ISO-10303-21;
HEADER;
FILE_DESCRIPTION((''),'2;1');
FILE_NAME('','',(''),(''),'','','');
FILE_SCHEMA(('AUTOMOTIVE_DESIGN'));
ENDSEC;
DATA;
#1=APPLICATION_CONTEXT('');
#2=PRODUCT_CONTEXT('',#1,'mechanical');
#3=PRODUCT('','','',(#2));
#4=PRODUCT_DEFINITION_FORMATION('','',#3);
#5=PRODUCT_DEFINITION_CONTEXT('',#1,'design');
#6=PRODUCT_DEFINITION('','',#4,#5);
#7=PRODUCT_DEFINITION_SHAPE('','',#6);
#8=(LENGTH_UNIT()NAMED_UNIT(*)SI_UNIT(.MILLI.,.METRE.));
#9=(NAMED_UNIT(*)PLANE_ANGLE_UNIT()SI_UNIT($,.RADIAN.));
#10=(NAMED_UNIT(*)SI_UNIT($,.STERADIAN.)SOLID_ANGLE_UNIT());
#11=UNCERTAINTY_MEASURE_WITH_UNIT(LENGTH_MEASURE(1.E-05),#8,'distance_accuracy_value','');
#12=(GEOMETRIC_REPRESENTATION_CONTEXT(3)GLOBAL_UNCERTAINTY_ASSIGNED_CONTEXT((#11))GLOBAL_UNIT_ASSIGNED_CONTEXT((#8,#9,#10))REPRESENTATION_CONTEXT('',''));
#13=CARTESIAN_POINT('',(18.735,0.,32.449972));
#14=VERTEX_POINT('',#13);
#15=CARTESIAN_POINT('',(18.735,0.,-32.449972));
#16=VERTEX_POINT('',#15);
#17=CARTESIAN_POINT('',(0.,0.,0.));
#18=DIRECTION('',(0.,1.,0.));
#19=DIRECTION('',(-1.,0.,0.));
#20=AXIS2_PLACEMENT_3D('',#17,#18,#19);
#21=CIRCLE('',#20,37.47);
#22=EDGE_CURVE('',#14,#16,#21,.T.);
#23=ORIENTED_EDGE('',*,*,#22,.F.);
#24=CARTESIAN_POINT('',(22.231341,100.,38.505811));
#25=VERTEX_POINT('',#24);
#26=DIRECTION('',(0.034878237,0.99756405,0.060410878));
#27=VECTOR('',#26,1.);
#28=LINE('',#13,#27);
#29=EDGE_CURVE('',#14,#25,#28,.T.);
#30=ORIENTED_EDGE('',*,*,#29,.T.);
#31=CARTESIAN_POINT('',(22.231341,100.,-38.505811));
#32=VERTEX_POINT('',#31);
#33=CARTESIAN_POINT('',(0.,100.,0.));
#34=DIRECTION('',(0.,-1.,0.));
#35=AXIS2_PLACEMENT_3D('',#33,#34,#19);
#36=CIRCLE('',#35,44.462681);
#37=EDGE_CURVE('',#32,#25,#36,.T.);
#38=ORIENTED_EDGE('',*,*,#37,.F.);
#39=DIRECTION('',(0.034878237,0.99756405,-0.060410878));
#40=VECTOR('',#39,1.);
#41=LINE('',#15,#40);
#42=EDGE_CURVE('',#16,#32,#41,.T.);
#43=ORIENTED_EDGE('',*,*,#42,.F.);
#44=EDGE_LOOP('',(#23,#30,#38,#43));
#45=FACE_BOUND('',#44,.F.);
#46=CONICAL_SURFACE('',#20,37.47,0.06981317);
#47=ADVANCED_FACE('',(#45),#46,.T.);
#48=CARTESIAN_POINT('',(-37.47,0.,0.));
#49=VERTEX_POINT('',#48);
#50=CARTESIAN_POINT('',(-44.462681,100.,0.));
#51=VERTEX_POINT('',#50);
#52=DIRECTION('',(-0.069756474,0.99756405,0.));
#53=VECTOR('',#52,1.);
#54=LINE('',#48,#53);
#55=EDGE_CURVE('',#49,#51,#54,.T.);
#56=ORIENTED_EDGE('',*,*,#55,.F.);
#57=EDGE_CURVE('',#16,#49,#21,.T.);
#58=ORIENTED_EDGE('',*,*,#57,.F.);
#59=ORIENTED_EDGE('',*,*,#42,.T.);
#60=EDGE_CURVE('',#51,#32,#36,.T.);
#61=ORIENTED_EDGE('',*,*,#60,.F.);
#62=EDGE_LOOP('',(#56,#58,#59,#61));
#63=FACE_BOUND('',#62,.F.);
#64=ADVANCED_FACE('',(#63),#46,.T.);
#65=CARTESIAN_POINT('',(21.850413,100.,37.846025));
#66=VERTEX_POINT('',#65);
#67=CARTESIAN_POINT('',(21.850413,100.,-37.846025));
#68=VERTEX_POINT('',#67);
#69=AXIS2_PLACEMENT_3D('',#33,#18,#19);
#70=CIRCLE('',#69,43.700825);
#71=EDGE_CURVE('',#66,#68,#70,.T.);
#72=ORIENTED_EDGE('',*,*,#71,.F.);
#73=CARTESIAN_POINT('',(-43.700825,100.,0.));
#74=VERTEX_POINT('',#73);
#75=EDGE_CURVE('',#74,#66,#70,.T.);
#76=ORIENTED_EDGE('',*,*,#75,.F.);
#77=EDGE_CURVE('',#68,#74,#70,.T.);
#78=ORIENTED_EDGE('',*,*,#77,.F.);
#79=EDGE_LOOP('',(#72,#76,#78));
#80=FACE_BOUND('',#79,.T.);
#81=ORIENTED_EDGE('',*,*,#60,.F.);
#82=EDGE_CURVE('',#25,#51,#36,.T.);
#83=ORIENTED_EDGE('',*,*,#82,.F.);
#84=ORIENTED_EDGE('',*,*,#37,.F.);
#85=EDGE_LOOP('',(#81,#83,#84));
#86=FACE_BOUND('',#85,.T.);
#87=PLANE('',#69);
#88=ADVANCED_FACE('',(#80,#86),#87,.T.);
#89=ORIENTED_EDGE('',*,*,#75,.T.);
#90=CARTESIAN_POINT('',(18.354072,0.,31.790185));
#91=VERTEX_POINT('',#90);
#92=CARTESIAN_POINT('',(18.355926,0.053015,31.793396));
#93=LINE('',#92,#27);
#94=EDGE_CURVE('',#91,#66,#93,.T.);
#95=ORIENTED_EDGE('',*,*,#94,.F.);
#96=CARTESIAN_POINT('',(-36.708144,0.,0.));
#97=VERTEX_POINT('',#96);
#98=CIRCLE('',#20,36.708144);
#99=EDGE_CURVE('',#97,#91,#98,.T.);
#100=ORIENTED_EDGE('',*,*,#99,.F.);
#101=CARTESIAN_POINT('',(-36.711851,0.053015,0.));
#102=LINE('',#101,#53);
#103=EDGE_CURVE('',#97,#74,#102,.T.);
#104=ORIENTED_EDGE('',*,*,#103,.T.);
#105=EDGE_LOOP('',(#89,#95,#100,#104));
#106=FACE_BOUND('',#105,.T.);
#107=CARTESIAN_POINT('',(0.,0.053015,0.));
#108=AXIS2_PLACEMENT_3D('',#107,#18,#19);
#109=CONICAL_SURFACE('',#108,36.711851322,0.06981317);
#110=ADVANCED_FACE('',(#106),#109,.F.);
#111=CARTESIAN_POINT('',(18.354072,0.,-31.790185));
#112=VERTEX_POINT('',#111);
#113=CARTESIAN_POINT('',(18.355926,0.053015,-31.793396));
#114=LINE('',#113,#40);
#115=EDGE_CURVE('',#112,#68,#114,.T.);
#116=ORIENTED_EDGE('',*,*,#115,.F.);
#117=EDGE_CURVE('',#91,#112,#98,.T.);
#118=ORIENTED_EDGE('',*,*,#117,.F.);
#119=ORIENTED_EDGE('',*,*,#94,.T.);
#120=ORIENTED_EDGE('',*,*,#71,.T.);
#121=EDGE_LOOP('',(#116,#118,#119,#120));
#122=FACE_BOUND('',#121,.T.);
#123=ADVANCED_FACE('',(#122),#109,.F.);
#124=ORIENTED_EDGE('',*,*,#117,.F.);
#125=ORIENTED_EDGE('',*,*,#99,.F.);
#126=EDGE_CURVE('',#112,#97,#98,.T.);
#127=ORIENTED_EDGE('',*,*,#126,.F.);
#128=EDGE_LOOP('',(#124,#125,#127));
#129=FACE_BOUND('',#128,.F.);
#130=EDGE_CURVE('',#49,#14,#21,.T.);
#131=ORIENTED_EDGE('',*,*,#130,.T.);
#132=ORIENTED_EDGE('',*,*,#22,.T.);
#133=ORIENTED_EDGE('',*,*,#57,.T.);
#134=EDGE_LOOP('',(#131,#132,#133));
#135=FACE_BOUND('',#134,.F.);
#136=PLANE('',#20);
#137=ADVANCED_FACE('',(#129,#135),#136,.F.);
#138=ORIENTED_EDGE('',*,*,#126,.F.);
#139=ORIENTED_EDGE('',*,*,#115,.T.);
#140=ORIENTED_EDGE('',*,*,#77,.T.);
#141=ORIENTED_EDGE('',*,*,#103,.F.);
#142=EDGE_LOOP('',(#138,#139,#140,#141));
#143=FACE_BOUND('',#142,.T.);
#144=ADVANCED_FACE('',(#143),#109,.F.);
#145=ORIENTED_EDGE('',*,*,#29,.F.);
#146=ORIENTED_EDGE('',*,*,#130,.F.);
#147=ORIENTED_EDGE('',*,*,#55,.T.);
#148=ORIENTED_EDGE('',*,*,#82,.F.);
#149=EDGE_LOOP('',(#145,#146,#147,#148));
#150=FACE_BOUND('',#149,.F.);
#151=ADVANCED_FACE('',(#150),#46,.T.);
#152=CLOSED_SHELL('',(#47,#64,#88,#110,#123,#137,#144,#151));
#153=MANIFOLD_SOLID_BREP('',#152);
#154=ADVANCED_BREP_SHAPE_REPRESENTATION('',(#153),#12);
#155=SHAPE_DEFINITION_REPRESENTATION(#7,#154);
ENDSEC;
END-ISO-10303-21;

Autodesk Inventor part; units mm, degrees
ref_plane "YZ Plane" through (0, 0, 0) normal (1, 0, 0) x (0, 1, 0)
ref_plane "XZ Plane" through (0, 0, 0) normal (0, 1, 0) x (-1, 0, 0)
ref_plane "XY Plane" through (0, 0, 0) normal (0, 0, 1) x (1, 0, 0)
sketch "Sketch1" plane through (0, 0, 0) normal (0, 1, 0) x (-1, 0, 0)
  circle A0 centre (0, 0) radius 37.47
  dimension "d0" = 74.94
extrude "Extrusion1" add sketch "Sketch1" along normal blind 100 draft 4
shell "Shell1" thickness 0.76 removed faces 2 at (-11.1844, 0, 12.4216) at (-7.4104, 100, -12.8353)
properties part number "G"
